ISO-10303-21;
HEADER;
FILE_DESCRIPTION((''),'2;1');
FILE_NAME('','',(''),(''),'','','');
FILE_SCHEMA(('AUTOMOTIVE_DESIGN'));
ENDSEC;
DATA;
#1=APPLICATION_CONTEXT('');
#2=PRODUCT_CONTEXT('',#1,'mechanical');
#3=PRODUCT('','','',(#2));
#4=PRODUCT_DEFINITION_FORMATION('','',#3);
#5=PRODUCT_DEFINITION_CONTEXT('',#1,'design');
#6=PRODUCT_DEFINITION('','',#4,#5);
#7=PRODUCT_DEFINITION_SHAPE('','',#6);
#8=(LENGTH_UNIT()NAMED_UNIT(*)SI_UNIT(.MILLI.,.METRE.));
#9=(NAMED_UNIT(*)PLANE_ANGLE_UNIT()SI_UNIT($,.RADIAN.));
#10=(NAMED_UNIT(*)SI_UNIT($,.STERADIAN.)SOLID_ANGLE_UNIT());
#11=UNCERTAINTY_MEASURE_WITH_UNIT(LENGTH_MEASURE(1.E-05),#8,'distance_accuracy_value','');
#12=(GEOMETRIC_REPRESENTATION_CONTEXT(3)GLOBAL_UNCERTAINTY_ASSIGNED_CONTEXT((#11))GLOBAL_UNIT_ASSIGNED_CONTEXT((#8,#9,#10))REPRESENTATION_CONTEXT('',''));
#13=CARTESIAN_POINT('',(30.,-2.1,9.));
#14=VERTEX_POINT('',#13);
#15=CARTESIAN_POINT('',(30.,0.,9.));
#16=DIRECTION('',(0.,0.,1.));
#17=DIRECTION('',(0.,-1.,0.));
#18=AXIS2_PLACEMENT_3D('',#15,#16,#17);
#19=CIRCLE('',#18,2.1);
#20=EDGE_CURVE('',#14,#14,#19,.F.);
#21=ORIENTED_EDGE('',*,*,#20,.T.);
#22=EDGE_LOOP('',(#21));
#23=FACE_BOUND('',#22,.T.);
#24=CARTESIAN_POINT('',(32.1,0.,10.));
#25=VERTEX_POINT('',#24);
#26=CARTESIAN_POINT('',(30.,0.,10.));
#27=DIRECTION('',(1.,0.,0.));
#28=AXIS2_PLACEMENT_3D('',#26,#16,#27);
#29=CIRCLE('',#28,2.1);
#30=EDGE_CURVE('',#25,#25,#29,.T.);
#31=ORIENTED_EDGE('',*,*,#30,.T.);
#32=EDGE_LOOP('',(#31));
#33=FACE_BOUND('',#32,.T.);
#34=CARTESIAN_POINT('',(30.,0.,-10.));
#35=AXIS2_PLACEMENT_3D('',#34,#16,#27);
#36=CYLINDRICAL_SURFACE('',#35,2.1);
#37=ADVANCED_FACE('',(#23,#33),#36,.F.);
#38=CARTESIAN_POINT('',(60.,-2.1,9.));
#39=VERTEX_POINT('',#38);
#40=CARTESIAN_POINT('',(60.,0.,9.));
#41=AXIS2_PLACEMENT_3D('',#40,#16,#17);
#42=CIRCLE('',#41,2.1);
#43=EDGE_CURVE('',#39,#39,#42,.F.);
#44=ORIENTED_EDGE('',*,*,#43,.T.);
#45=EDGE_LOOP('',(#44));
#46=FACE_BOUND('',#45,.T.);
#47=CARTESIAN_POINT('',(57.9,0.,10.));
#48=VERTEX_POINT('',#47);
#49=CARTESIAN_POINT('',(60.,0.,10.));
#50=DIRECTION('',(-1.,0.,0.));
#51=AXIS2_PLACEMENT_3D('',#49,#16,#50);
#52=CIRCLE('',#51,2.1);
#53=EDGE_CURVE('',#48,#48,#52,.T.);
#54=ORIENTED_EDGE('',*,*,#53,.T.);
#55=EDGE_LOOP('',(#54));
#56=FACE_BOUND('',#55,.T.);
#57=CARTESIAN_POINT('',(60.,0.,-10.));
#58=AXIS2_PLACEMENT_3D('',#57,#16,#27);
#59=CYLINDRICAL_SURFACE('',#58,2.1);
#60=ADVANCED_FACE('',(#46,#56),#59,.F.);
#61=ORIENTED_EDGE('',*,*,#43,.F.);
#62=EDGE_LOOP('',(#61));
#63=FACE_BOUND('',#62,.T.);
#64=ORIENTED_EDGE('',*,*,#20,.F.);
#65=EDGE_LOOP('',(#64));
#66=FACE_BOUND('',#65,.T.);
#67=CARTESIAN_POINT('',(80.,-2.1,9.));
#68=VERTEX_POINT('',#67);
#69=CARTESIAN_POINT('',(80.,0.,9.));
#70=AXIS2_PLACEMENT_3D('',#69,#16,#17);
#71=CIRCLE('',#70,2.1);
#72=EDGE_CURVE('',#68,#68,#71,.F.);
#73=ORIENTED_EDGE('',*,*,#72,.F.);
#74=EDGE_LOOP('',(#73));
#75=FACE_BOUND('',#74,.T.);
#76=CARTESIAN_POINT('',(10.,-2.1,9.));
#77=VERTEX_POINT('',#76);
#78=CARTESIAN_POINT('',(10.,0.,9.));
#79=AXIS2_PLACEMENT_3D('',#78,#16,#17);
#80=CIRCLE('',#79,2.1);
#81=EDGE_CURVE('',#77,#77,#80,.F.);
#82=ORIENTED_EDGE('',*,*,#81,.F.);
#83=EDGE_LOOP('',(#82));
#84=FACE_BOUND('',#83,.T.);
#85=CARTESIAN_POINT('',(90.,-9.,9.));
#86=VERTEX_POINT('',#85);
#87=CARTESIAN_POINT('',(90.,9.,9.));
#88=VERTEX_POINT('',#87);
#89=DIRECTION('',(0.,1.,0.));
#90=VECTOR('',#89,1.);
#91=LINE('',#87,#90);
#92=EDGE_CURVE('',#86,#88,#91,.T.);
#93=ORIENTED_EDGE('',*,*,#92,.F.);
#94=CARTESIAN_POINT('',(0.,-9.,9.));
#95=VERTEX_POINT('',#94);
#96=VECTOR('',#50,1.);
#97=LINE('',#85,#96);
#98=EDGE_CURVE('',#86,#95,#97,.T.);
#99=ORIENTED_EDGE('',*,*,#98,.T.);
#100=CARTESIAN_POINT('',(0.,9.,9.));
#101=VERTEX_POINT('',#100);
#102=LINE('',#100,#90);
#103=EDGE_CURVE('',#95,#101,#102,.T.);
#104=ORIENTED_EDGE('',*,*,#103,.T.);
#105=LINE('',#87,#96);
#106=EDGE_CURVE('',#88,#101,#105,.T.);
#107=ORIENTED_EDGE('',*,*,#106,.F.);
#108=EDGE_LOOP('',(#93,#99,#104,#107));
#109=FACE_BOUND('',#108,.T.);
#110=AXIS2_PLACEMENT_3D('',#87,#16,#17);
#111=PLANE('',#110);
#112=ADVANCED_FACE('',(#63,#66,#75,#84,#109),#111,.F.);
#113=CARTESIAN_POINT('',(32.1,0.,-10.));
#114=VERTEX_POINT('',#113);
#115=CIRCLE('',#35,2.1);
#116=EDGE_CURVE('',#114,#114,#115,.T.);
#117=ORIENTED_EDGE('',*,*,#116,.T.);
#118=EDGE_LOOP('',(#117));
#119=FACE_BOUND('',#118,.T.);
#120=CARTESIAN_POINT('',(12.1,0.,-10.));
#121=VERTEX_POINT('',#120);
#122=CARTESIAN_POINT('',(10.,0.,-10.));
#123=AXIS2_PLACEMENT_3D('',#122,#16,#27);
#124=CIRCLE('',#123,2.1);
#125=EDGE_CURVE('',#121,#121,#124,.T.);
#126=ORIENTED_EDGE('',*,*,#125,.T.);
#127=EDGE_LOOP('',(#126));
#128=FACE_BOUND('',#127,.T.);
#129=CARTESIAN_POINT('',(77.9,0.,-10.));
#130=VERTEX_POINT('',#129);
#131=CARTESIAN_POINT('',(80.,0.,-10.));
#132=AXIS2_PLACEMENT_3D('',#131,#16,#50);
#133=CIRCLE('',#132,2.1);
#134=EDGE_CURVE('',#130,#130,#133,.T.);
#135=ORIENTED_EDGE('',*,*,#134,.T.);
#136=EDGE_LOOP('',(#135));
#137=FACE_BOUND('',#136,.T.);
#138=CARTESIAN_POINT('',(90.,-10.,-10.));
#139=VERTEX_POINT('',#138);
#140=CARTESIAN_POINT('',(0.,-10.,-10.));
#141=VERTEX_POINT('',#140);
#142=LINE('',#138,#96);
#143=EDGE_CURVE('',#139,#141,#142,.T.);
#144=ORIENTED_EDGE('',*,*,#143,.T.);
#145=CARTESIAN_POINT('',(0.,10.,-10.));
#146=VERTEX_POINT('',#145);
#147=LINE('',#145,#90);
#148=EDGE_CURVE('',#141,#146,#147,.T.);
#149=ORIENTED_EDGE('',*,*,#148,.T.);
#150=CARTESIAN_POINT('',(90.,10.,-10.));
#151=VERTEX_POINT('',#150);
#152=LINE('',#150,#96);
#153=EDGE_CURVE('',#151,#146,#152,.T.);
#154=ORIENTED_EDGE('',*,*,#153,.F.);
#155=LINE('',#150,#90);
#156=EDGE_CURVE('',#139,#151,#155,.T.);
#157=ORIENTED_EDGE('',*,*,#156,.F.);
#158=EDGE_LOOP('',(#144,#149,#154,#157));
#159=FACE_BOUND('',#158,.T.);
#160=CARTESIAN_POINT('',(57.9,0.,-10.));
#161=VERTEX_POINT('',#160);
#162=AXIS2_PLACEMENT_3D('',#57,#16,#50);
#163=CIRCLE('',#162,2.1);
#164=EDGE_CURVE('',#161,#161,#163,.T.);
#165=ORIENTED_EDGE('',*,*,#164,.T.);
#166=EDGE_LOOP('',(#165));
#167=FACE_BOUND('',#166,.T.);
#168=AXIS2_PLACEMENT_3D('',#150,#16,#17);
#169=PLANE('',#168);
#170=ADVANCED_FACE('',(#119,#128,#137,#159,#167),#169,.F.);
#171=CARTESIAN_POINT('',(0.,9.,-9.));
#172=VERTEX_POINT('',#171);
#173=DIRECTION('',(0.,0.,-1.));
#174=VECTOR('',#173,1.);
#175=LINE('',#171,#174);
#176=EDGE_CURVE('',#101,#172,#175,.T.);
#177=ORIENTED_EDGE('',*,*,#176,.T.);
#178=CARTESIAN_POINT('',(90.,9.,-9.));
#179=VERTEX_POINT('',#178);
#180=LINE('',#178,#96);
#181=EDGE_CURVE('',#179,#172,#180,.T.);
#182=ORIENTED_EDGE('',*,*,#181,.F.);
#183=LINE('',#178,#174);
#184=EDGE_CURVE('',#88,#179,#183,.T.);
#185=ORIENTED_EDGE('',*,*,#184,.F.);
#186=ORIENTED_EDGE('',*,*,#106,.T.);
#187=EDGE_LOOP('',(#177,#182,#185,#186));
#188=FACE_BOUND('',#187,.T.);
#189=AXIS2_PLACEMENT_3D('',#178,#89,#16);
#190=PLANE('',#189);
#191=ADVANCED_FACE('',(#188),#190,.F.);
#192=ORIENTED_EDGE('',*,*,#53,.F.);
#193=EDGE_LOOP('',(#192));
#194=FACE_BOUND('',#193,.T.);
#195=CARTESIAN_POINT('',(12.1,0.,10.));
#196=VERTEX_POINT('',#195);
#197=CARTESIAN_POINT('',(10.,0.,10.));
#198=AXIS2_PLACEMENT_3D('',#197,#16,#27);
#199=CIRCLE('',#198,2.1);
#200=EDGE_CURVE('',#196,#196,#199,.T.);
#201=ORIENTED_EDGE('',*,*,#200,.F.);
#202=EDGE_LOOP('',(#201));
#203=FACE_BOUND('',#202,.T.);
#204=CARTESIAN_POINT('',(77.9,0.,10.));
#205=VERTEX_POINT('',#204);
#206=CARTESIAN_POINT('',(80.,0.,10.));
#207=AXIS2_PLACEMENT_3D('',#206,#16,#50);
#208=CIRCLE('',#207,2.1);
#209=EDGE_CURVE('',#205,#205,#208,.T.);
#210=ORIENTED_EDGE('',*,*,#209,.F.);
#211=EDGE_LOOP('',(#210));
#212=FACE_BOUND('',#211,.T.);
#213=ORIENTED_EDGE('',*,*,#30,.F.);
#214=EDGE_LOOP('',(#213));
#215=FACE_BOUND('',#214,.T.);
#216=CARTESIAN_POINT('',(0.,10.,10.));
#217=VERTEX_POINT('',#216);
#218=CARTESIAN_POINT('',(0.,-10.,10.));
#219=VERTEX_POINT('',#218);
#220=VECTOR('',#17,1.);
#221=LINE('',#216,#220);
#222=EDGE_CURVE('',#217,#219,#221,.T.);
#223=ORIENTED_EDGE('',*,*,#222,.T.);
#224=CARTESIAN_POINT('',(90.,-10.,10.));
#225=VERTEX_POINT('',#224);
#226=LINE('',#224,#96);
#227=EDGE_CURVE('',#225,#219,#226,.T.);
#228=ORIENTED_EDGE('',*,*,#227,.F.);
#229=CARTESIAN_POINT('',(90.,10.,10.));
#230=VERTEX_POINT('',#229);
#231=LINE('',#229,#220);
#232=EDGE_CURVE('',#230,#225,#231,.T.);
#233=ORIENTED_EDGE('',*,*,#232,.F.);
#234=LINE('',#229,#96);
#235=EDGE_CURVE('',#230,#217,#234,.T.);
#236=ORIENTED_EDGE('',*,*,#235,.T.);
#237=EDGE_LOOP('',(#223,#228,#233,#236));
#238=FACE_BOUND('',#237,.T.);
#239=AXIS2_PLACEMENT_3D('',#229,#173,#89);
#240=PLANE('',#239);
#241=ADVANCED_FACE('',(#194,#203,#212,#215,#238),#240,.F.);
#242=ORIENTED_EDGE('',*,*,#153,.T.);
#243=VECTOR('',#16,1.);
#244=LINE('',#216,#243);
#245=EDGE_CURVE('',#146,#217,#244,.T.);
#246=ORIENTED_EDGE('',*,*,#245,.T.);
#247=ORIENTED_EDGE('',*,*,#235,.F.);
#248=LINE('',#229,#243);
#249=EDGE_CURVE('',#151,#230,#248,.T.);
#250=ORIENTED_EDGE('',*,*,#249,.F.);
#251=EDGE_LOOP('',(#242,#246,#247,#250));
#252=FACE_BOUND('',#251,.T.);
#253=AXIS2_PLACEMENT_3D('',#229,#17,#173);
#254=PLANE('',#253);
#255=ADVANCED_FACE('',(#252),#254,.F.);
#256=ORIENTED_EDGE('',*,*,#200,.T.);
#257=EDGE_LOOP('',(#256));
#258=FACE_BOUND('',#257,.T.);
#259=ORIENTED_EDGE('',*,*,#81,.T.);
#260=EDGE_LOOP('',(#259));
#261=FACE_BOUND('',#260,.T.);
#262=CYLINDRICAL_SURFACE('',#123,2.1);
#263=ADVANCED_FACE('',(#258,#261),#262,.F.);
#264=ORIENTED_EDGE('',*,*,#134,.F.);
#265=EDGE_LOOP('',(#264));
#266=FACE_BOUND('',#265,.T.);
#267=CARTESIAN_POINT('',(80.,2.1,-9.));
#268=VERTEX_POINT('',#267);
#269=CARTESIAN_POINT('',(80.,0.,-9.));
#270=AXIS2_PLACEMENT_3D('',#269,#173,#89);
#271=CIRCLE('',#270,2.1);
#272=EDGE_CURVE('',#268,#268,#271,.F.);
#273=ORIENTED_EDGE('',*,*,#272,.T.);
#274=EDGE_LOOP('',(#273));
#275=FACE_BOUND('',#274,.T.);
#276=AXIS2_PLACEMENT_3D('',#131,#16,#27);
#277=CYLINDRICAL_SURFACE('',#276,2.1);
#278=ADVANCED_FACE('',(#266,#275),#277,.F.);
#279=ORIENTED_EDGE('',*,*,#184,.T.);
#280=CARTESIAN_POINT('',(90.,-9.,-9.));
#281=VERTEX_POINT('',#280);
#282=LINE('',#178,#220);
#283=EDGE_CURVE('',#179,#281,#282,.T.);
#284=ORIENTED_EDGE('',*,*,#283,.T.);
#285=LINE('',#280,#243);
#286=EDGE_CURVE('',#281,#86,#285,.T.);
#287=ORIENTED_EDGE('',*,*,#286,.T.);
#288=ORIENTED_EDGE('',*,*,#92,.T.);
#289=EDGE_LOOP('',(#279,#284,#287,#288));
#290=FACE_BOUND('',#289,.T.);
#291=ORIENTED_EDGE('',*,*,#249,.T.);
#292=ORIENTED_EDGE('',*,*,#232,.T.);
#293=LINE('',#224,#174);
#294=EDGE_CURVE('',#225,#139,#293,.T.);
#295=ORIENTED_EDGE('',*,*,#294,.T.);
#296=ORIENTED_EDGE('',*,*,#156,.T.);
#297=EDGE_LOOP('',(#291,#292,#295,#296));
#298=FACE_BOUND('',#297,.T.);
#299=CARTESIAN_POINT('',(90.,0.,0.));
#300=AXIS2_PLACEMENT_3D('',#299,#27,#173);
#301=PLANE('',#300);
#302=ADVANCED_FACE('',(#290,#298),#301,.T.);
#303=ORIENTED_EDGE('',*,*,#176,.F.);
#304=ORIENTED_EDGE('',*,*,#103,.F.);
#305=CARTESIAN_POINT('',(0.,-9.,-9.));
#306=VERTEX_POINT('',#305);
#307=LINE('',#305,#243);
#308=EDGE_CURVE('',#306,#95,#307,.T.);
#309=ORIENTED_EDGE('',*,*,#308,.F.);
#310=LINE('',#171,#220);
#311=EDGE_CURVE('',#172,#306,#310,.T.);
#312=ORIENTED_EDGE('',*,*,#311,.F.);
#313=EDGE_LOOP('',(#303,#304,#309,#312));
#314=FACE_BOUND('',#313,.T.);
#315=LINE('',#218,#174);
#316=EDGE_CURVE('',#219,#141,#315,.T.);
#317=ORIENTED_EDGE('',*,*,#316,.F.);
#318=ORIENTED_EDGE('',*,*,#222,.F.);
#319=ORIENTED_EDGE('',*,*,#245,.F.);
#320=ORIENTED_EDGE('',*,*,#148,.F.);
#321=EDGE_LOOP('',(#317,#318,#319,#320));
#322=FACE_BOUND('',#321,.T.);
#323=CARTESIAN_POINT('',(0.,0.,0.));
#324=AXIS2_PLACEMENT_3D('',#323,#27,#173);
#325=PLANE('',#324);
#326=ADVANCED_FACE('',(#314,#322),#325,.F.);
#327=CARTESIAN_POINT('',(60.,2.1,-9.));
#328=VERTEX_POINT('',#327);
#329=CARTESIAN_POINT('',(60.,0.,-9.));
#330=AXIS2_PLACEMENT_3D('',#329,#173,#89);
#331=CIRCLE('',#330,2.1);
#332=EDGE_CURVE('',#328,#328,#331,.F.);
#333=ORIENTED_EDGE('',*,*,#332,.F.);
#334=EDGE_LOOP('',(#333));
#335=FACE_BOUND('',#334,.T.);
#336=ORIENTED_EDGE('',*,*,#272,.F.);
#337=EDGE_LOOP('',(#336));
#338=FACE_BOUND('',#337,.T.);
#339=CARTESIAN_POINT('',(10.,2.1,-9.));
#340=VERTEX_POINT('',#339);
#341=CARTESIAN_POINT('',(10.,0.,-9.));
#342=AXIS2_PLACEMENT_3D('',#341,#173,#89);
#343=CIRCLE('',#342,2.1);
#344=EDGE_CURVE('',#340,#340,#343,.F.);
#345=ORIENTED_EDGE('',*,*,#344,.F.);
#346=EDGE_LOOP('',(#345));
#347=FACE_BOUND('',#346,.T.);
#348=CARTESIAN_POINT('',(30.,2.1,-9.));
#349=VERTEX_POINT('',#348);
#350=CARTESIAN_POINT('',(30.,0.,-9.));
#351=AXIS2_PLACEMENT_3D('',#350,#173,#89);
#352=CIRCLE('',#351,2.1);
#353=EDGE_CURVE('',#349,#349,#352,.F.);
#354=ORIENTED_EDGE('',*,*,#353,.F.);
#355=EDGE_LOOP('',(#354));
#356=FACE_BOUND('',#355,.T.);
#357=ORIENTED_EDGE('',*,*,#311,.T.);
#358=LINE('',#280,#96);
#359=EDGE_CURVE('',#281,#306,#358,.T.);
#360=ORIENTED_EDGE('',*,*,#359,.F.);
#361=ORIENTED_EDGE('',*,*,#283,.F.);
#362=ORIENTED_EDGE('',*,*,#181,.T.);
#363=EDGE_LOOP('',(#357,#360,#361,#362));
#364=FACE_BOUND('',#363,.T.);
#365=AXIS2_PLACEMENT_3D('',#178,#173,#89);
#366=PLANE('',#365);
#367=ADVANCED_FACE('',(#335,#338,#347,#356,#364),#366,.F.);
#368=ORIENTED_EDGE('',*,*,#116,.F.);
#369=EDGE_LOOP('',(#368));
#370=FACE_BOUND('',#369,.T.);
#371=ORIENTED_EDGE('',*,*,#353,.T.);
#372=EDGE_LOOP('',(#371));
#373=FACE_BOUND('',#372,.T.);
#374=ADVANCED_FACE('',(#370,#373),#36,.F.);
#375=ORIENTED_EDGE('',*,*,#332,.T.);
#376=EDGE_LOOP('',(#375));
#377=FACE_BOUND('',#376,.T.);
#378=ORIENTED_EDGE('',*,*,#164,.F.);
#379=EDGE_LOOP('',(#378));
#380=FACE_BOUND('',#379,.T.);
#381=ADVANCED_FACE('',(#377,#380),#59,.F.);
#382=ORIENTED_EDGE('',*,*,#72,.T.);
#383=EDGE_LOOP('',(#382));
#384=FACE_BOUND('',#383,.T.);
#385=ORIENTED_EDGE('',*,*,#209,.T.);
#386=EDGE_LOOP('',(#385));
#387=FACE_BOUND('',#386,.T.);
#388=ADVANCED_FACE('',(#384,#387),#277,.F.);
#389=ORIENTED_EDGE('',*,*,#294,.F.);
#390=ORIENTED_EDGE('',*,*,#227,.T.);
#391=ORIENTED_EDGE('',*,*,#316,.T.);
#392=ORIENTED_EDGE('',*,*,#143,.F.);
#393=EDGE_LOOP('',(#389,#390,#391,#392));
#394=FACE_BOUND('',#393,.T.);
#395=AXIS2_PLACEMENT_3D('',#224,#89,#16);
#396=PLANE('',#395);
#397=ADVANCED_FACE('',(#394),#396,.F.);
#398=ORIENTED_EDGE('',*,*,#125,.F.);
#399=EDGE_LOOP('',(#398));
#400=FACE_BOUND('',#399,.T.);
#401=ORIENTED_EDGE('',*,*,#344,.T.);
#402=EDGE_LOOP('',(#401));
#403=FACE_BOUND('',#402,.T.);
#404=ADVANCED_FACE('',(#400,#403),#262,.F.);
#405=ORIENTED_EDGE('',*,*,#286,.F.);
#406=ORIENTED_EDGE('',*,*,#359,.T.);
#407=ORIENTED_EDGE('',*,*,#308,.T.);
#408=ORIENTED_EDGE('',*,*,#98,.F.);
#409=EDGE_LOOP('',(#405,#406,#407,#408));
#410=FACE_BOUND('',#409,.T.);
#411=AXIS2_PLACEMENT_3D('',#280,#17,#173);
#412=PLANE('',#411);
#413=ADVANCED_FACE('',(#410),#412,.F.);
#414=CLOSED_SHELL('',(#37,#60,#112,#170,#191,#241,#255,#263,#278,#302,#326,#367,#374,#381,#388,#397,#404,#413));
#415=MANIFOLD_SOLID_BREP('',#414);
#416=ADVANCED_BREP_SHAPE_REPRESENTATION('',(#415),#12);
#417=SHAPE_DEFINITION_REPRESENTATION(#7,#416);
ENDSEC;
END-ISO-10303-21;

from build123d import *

# Parameters (mm, degrees)
SKETCH_1_W          = 20
SKETCH_1_H          = 20
EXTRUDE_1_DEPTH     = 90
SKETCH_2_R          = 2.1
CUT_EXTRUDE_1_DEPTH = 93.736184955
SKETCH_3_W          = 18
SKETCH_3_H          = 18
CUT_EXTRUDE_2_DEPTH = 92.104335791


with BuildPart() as part:
    # 草图1 → 凸台-拉伸1 (new body)
    with BuildSketch(Plane(origin=(0, 0, 0), x_dir=(0, 0, -1), z_dir=(1, 0, 0))):
        Rectangle(SKETCH_1_W, SKETCH_1_H)
    extrude(amount=EXTRUDE_1_DEPTH)

    # 草图2 → 切除-拉伸1 (cut, through all)
    with BuildSketch(Plane.XY.offset(10)):
        with Locations((10, 0)):
            Circle(SKETCH_2_R)
        with Locations((30, 0)):
            Circle(SKETCH_2_R)
        with Locations(Location((60, 0, 0), (0, 0, 180))):
            Circle(SKETCH_2_R)
        with Locations(Location((80, 0, 0), (0, 0, 180))):
            Circle(SKETCH_2_R)
    extrude(amount=-CUT_EXTRUDE_1_DEPTH, mode=Mode.SUBTRACT)

    # 草图3 → 切除-拉伸2 (cut, through all)
    with BuildSketch(Plane.ZY):
        Rectangle(SKETCH_3_W, SKETCH_3_H)
    extrude(amount=-CUT_EXTRUDE_2_DEPTH, mode=Mode.SUBTRACT)


solid = part.part
